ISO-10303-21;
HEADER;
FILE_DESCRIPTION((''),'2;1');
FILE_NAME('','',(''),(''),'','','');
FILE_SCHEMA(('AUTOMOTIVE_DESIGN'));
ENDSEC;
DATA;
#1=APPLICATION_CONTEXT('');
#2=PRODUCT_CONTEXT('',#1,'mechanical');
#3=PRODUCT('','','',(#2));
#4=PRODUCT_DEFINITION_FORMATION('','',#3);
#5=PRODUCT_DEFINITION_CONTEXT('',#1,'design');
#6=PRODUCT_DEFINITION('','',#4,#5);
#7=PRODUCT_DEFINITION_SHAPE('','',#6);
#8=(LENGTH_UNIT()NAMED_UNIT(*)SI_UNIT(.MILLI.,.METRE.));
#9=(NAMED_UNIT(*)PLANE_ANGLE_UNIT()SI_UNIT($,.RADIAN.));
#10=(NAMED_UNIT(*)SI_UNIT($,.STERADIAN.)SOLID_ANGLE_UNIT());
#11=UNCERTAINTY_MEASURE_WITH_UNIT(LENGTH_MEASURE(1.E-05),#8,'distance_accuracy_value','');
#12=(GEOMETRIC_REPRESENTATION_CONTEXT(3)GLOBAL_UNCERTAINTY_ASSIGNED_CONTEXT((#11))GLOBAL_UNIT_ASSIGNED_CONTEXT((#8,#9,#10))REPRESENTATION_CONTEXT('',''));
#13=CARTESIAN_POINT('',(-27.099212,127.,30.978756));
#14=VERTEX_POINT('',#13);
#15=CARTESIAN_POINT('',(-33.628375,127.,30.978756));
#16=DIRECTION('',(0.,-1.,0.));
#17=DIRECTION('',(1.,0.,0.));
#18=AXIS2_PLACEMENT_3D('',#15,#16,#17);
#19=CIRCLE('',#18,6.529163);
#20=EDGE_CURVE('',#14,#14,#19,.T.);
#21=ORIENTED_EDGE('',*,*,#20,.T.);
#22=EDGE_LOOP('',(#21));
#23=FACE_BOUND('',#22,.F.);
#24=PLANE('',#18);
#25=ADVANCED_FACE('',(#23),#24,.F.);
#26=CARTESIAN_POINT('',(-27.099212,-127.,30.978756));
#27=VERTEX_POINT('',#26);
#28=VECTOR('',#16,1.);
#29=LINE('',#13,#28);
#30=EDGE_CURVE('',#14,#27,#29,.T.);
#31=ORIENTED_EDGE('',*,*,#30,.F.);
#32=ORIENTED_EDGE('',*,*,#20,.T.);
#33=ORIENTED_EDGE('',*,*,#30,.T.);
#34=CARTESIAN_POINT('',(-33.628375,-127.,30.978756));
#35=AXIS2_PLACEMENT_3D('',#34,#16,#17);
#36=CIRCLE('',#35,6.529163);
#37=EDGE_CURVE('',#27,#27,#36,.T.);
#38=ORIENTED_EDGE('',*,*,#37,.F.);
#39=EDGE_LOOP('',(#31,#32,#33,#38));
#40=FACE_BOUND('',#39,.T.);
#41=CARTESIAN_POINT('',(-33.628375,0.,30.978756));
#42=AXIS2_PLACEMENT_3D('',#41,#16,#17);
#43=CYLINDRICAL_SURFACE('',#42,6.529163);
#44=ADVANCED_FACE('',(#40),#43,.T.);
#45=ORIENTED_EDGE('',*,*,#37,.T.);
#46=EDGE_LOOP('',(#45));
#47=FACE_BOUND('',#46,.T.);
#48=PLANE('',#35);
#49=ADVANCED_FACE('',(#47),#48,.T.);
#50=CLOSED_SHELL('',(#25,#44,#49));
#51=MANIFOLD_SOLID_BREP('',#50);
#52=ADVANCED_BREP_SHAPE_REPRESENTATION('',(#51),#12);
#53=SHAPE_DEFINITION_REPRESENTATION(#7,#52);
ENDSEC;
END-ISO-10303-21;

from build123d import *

# Parameters (mm, degrees)
F0_R     = 13.3568816407
F1_DEPTH = 127
F3_R     = 6.35
F4_DEPTH = 127
F6_R     = 6.5291630237
F7_DEPTH = 127


with BuildPart() as f1:
    # F0 (on Top) → F1 (new body, symmetric)
    with BuildSketch(Plane.XY):
        with Locations((-30.3778361085, 35.4953636827)):
            Circle(F0_R)
    extrude(amount=F1_DEPTH, both=True)


with BuildPart() as f4:
    # F3 (on Top) → F4 (new body, symmetric)
    with BuildSketch(Plane.XY):
        with Locations((-33.7284424831, 38.4713762078)):
            Circle(F3_R)
    extrude(amount=F4_DEPTH, both=True)


with BuildPart() as f7:
    # F6 (on Front) → F7 (new body, symmetric)
    with BuildSketch(Plane.XZ):
        with Locations((-33.6283754377, 30.9787562468)):
            Circle(F6_R)
    extrude(amount=F7_DEPTH, both=True)


solid = f7.part
